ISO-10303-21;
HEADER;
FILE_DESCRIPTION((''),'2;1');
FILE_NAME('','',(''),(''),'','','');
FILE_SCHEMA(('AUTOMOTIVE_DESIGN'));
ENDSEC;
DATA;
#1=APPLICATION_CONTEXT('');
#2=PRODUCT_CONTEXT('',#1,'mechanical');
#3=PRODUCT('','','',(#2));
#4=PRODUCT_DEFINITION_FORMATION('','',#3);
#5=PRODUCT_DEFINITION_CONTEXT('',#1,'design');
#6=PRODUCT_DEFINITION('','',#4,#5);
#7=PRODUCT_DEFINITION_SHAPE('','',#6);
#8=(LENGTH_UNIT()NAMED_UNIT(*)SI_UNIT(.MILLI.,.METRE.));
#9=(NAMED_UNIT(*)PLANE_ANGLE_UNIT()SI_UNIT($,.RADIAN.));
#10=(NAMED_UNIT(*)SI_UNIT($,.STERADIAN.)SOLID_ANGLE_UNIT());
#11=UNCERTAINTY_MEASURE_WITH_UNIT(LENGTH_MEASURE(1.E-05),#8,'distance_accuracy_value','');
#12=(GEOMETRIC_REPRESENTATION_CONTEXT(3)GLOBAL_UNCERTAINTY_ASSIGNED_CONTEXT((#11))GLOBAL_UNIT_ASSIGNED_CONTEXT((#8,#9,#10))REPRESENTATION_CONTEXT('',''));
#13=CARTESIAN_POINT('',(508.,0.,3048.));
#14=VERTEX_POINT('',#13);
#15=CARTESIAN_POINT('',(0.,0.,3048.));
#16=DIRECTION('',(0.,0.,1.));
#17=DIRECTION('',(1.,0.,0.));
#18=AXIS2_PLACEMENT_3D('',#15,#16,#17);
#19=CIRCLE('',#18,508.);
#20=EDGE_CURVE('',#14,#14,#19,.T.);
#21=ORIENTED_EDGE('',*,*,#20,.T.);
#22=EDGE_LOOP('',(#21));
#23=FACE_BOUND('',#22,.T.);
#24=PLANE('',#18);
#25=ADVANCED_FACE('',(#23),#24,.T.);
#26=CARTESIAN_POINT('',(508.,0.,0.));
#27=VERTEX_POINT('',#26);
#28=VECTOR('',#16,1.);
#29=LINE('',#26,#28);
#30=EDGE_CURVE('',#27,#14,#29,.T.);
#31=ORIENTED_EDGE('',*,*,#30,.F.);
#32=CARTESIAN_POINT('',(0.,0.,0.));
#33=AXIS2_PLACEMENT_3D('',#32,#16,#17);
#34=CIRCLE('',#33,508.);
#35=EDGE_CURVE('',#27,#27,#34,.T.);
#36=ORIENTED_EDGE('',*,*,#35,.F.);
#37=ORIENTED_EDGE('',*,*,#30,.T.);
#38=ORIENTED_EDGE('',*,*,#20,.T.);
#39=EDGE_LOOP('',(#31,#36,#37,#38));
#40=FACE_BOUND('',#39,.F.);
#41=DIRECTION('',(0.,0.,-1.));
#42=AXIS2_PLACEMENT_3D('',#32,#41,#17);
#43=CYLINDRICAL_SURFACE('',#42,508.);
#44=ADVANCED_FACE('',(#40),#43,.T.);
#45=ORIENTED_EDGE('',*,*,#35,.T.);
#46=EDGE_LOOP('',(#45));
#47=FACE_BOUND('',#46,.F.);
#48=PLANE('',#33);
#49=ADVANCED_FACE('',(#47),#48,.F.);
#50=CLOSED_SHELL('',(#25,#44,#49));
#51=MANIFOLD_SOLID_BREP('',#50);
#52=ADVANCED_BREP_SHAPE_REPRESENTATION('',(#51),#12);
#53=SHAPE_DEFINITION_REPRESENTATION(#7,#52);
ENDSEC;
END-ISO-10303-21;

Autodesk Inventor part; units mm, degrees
ref_plane "YZ Plane" through (0, 0, 0) normal (1, 0, 0) x (0, 1, 0)
ref_plane "XZ Plane" through (0, 0, 0) normal (0, 1, 0) x (-1, 0, 0)
ref_plane "XY Plane" through (0, 0, 0) normal (0, 0, 1) x (1, 0, 0)
sketch "Sketch1" plane through (0, 0, 0) normal (0, 0, 1) x (1, 0, 0)
  circle A0 centre (0, 0) radius 508
  dimension "d0" = 1016
extrude "Extrusion1" add sketch "Sketch1" along normal blind 3048
properties part number "Enduroplast_600gallon"
